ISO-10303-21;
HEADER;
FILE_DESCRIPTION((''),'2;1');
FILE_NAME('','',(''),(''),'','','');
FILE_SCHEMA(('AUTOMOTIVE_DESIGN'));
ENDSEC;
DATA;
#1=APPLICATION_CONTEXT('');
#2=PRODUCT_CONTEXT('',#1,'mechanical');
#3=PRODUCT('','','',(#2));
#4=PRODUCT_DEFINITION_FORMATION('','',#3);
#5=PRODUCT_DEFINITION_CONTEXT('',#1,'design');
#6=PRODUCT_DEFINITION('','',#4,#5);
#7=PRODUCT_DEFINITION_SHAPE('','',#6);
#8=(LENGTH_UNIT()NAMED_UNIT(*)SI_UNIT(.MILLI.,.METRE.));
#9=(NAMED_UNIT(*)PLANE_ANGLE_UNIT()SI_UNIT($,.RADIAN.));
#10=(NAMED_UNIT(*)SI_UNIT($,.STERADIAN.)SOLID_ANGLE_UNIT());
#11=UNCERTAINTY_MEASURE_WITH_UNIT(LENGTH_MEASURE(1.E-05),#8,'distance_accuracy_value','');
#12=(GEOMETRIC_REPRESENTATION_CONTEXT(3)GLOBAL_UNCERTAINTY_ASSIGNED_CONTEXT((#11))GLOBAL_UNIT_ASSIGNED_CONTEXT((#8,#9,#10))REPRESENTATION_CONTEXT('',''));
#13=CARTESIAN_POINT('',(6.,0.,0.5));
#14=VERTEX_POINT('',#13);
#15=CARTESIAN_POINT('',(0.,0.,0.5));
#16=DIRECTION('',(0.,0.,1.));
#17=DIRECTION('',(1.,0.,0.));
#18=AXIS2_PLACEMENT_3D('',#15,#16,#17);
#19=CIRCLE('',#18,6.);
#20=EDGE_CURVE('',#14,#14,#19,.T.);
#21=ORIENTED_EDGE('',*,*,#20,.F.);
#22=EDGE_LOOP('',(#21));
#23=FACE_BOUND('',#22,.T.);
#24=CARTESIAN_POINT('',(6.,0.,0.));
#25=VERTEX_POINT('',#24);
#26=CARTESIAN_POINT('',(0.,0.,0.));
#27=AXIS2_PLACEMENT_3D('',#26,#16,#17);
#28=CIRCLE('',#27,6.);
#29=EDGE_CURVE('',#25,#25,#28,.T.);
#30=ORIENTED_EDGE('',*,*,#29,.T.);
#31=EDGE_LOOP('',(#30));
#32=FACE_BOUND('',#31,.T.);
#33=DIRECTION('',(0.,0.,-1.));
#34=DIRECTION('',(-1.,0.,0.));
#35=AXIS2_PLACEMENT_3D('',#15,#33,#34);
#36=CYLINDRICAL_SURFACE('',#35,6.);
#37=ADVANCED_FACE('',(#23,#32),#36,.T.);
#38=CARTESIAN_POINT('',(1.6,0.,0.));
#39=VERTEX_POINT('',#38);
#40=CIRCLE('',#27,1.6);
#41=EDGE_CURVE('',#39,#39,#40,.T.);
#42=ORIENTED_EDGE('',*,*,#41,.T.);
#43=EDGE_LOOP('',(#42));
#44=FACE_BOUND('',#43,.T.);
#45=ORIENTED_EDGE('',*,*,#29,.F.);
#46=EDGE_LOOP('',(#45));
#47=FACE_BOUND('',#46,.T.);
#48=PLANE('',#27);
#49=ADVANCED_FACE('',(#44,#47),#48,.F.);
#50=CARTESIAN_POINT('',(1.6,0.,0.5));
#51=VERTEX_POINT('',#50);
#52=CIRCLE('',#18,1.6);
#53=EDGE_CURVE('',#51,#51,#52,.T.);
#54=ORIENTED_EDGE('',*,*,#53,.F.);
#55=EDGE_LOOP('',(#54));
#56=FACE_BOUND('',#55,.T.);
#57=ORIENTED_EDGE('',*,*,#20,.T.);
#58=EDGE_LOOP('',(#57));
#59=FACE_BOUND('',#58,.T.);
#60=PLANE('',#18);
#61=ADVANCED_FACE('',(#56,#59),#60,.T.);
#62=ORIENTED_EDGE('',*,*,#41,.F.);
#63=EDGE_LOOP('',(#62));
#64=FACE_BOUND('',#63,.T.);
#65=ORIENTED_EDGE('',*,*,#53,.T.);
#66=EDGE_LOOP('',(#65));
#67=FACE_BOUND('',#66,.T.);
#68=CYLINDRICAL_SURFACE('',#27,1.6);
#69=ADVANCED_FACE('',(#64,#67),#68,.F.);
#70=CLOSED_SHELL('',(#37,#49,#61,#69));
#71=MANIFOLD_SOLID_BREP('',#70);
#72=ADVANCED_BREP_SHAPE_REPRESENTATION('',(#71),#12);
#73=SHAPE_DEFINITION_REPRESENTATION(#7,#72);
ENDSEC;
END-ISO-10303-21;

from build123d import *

# Parameters (mm, degrees)
SKETCH1_R           = 6
BOSS_EXTRUDE1_DEPTH = 0.5
SKETCH2_R           = 1.6
CUT_EXTRUDE1_DEPTH  = 0.5


with BuildPart() as part:
    # Sketch1 → Boss-Extrude1 (new body)
    with BuildSketch(Plane.XY):
        Circle(SKETCH1_R)
    extrude(amount=BOSS_EXTRUDE1_DEPTH)

    # Sketch2 → Cut-Extrude1 (cut)
    with BuildSketch(Plane.XY.offset(0.5)):
        Circle(SKETCH2_R)
    extrude(amount=-CUT_EXTRUDE1_DEPTH, mode=Mode.SUBTRACT)


solid = part.part
